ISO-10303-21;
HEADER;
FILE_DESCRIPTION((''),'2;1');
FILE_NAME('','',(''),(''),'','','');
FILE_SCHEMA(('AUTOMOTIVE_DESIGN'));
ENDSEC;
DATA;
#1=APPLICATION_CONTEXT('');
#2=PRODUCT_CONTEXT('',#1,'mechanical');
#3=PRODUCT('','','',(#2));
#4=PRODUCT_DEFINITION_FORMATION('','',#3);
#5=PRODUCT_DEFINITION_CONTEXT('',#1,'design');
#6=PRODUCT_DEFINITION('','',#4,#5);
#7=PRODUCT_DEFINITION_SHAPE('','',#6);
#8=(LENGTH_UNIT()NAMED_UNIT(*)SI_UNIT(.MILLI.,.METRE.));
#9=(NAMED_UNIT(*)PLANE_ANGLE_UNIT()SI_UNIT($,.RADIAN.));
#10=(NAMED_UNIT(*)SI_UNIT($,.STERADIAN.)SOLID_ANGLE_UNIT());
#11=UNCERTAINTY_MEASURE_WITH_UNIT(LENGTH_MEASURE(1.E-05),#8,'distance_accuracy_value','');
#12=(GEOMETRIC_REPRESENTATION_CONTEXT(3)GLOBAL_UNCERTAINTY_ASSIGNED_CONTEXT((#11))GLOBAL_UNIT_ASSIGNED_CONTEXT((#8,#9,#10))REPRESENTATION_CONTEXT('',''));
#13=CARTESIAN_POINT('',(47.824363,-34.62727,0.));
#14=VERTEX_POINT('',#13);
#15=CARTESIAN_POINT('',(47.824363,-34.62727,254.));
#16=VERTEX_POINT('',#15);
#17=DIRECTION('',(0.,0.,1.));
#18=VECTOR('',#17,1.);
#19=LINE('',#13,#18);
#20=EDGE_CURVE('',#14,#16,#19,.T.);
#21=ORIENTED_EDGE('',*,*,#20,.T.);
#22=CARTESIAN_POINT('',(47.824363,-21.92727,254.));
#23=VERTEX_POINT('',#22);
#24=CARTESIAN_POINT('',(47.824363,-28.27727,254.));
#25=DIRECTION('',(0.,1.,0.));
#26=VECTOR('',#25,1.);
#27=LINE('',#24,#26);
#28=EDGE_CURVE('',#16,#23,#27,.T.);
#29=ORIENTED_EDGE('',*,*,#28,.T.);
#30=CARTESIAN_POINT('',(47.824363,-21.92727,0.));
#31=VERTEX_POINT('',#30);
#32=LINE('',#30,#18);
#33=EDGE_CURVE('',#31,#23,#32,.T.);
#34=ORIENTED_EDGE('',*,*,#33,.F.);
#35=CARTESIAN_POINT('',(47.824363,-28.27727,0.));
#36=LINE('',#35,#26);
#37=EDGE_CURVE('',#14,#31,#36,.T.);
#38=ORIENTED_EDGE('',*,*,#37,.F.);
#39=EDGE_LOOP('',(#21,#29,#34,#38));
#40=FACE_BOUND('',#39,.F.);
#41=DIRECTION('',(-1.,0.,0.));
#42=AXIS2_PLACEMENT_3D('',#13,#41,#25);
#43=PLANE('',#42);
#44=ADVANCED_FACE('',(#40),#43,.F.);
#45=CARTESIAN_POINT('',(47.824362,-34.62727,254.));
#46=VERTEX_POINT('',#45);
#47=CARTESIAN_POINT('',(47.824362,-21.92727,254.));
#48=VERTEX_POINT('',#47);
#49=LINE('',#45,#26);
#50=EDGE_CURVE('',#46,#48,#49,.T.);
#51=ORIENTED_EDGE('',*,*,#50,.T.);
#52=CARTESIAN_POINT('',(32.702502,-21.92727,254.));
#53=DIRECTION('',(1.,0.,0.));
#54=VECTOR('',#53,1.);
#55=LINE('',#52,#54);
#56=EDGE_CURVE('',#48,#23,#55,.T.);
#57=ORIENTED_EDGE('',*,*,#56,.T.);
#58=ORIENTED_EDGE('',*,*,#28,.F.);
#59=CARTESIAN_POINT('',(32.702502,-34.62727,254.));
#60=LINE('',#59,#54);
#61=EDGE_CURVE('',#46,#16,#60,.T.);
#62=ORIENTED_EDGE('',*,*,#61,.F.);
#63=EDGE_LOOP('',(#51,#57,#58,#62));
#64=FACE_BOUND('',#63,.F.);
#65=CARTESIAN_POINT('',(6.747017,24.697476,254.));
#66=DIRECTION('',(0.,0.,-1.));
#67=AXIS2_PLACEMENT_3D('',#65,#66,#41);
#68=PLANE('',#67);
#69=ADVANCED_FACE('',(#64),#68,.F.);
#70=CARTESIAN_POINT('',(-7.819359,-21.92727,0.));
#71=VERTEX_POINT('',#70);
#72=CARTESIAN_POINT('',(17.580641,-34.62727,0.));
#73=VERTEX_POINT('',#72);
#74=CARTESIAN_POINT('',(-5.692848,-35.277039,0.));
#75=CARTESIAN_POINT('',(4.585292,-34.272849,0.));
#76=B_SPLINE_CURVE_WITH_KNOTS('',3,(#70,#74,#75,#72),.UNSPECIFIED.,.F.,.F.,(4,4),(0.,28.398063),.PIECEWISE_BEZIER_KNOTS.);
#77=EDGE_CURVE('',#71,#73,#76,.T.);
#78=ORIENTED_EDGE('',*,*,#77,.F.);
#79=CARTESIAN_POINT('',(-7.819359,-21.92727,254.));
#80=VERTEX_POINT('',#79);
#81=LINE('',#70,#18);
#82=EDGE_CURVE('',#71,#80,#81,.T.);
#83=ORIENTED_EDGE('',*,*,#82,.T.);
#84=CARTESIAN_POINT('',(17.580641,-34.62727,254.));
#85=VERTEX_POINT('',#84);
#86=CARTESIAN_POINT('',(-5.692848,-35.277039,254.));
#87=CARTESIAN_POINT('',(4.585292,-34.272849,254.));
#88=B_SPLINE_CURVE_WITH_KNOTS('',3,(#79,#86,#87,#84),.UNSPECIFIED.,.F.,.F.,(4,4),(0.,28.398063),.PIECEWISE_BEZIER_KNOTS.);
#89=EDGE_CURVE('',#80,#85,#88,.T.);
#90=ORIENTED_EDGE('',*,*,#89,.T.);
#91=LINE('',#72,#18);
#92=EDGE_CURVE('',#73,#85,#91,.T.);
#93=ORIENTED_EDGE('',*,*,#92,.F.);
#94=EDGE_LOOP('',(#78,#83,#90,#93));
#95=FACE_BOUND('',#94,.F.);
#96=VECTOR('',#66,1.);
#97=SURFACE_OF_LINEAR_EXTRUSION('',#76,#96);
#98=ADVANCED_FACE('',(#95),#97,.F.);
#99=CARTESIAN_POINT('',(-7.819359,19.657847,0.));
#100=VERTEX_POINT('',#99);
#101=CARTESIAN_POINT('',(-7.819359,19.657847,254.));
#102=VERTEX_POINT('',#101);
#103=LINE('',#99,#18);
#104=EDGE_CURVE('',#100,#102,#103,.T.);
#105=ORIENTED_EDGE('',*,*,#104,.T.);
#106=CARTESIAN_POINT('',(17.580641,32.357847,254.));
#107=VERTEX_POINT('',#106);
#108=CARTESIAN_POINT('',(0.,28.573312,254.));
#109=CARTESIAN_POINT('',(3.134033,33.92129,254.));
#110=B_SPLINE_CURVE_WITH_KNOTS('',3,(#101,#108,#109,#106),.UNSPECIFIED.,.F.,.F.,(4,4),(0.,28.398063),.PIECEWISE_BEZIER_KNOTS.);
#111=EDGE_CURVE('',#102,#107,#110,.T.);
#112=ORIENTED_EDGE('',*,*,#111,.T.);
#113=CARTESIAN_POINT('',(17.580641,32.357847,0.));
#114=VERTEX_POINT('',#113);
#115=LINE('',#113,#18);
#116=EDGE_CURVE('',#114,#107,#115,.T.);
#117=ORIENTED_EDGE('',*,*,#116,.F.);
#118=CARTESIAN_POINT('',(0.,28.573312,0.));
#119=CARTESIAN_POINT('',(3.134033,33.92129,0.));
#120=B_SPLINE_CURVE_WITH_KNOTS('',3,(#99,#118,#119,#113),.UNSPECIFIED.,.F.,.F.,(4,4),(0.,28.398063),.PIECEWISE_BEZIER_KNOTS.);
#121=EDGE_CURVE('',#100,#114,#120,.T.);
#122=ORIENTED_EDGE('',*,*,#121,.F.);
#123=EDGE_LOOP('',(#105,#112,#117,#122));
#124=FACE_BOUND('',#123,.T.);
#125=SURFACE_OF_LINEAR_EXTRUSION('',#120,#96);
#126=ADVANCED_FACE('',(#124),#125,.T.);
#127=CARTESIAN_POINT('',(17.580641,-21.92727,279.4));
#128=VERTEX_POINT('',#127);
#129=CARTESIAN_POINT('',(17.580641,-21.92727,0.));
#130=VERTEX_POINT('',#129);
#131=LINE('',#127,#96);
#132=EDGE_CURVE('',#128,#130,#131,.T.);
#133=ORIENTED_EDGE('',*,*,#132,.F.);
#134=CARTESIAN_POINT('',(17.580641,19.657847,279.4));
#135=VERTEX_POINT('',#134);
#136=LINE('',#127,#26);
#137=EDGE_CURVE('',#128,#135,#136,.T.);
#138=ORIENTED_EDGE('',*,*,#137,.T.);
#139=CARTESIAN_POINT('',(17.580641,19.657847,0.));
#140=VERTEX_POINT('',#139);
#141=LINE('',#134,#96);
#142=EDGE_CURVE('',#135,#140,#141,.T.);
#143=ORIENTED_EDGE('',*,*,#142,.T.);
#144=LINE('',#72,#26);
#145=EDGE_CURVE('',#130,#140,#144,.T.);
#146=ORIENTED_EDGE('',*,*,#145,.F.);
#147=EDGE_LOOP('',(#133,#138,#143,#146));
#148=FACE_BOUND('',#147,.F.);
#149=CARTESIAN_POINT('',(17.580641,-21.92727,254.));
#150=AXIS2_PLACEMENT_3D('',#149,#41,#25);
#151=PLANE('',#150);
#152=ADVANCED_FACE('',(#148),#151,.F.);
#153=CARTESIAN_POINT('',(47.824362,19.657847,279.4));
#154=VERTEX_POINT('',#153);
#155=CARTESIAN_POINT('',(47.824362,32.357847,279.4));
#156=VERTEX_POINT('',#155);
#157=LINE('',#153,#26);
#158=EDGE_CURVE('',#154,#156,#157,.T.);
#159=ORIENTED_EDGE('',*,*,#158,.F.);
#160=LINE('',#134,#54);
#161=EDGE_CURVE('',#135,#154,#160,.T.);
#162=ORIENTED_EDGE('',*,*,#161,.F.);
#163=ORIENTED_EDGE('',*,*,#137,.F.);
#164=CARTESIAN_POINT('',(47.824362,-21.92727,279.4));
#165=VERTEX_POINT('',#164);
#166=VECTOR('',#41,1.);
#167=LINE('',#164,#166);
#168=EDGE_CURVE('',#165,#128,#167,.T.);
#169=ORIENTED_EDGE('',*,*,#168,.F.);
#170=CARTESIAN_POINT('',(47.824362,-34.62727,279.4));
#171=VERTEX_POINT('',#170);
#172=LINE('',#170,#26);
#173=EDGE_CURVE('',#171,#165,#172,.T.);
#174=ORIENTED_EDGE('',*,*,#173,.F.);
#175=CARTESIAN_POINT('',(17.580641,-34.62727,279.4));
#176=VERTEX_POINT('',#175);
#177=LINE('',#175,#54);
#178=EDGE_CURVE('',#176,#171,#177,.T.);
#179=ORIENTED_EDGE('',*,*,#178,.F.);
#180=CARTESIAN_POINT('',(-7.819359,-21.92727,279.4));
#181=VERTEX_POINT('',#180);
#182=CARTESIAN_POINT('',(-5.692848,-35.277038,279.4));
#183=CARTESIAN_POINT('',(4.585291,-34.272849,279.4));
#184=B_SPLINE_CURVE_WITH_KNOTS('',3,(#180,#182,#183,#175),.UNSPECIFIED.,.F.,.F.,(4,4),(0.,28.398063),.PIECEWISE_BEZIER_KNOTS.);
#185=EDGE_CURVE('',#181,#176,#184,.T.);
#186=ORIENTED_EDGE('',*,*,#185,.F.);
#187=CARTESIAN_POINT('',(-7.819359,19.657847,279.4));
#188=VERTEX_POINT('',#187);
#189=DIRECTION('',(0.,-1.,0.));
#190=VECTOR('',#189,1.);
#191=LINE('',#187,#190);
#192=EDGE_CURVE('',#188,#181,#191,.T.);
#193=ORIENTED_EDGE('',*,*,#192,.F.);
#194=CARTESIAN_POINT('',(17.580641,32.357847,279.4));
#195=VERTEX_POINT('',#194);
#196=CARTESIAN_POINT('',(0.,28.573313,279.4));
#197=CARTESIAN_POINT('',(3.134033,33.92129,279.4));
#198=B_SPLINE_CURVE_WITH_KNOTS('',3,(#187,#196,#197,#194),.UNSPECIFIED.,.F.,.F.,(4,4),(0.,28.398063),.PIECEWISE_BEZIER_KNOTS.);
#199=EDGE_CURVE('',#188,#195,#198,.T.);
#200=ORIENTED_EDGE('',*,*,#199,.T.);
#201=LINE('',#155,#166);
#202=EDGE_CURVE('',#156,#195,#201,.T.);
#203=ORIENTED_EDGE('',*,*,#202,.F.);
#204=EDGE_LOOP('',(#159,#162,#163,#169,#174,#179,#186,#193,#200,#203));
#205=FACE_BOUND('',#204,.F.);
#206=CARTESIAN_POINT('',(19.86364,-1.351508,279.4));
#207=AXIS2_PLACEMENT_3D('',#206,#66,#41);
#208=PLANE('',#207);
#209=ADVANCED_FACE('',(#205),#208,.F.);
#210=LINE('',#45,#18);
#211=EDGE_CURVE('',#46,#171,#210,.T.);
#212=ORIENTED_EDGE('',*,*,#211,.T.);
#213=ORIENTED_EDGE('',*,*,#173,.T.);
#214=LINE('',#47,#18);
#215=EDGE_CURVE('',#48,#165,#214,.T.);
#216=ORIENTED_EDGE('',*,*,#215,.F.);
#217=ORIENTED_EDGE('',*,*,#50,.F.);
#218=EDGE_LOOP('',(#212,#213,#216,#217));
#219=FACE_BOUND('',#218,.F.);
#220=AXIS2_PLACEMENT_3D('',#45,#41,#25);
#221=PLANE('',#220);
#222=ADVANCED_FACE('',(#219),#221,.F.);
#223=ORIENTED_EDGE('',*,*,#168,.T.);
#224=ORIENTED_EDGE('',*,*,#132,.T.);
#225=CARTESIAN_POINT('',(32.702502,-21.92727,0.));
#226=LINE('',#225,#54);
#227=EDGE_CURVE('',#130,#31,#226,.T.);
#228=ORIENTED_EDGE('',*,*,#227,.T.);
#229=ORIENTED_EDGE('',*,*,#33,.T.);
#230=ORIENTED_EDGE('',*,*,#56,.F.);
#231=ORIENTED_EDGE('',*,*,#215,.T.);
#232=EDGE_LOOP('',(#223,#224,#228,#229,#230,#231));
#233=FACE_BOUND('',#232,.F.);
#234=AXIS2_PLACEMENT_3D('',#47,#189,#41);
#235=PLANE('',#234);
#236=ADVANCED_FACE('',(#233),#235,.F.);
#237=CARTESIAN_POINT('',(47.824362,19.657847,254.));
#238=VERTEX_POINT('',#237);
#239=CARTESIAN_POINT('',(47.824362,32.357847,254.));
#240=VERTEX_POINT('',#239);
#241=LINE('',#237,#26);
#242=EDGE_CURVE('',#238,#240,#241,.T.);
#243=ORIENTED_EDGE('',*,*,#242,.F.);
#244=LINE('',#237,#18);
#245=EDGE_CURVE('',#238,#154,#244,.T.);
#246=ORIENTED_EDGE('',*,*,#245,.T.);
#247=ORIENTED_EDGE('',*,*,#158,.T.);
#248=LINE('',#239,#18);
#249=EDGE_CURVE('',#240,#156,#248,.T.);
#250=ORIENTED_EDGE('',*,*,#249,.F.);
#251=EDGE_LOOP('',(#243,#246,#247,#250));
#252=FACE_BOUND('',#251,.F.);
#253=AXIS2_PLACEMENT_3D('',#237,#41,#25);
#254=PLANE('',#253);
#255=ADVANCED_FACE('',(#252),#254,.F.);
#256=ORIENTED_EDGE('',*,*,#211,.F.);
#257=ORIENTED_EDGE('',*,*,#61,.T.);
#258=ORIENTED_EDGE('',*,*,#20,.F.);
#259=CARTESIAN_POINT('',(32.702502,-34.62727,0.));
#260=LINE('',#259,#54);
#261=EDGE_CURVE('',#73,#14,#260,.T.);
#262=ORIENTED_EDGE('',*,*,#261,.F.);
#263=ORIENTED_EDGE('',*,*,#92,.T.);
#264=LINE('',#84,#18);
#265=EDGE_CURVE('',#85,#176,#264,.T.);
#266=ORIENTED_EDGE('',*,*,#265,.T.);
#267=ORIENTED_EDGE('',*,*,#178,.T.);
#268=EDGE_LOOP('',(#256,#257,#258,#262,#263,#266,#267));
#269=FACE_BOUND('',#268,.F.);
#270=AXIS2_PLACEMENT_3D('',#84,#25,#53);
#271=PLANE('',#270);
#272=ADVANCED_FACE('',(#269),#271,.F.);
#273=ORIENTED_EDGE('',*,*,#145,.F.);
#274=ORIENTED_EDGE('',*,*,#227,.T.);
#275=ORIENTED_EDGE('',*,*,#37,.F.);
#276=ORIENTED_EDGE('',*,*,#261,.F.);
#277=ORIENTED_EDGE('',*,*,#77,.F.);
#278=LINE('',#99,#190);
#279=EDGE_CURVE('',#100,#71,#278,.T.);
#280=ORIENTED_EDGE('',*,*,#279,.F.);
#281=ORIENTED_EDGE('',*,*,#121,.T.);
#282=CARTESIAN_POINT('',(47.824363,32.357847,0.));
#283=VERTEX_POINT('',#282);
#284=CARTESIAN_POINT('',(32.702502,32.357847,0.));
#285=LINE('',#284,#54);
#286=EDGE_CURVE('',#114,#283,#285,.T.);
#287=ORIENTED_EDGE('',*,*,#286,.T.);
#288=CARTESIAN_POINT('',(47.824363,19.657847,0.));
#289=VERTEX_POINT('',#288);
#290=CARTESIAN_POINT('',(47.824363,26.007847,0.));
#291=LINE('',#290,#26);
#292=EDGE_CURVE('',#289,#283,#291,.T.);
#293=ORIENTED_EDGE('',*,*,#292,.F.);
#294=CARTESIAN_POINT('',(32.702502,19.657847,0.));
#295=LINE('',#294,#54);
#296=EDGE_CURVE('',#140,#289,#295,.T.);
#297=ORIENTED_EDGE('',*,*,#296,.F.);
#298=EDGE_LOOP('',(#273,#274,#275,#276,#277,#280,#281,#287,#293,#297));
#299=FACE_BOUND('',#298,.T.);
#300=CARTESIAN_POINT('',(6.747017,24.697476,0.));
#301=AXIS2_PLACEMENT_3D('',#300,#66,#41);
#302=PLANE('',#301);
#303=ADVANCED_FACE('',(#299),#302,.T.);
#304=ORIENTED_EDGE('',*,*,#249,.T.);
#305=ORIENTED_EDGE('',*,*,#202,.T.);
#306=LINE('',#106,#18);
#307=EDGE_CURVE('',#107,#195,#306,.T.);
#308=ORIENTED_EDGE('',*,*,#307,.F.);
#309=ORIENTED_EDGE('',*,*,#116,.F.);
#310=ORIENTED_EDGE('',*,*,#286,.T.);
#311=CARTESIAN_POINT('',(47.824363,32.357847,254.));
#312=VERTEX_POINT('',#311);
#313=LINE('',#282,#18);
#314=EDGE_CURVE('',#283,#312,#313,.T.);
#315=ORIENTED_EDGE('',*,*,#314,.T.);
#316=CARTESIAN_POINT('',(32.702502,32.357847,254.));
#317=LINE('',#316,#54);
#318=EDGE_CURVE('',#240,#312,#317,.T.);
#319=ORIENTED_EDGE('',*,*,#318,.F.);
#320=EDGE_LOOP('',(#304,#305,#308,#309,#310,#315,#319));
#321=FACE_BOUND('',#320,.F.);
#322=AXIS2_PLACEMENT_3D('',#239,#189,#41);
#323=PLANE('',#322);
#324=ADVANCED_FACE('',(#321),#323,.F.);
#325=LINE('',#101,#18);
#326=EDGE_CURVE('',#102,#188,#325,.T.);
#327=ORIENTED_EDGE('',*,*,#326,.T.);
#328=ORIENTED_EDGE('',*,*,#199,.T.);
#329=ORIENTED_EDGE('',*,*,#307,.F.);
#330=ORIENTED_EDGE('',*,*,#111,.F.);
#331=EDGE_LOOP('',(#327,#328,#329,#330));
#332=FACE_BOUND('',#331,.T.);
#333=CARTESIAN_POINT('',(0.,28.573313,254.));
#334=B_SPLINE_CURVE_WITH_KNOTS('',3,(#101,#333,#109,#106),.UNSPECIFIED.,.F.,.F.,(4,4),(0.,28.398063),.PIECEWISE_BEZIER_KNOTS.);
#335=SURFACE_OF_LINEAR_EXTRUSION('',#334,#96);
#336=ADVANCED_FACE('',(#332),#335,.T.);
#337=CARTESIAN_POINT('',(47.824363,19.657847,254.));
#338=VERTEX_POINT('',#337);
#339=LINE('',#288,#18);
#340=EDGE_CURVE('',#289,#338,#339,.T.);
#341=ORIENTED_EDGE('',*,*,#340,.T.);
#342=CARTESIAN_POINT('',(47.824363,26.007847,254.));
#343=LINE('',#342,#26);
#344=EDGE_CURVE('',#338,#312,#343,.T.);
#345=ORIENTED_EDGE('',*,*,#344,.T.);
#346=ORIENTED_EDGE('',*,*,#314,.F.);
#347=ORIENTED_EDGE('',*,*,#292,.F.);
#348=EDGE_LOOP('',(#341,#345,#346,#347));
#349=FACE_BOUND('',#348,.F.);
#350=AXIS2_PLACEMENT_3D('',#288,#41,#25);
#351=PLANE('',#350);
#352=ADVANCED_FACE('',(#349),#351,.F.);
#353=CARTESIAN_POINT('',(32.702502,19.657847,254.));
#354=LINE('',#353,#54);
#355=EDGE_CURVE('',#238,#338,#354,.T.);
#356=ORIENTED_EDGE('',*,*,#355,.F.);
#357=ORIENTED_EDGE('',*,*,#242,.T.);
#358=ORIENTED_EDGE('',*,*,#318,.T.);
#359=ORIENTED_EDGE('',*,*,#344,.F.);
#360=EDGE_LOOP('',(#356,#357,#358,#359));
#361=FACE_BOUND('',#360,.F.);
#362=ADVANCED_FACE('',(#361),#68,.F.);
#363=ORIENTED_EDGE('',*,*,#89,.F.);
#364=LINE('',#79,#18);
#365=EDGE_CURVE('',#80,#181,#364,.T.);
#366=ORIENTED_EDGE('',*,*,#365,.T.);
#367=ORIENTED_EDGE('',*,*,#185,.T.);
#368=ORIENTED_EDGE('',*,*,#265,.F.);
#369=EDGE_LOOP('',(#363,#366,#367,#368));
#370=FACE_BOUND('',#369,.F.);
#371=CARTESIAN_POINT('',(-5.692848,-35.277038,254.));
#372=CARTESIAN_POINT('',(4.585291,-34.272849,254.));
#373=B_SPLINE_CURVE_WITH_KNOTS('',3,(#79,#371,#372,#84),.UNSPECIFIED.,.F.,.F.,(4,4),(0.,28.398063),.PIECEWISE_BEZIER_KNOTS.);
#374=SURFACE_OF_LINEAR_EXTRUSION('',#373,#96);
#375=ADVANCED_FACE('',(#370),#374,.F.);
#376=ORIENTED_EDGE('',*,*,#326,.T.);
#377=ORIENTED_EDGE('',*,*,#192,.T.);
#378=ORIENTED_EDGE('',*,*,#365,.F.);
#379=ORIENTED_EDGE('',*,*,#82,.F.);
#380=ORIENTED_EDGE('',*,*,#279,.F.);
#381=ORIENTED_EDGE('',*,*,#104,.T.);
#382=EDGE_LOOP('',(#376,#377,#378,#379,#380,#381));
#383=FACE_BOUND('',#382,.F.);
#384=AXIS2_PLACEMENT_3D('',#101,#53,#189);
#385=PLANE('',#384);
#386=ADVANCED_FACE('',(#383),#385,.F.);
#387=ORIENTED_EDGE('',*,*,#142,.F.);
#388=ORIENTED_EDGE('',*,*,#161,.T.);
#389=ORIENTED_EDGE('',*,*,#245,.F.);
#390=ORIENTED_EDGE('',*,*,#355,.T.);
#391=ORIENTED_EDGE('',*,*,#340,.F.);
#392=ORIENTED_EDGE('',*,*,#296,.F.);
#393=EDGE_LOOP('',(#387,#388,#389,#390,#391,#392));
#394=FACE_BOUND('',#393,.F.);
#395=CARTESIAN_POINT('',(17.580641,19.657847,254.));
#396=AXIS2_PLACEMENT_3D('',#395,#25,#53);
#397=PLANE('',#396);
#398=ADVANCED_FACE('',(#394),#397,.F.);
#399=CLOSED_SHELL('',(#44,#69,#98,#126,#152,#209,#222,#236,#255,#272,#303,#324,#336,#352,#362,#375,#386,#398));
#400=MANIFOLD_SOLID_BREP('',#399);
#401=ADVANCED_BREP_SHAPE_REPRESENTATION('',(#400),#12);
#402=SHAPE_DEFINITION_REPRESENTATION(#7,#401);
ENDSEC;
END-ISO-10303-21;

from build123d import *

# Parameters (mm, degrees)
F0_W     = 30.243722
F0_H     = 12.7
F1_DEPTH = 254
F2_DEPTH = 25.4


with BuildPart() as f1:
    # F0 (on Top) → F1 (new body)
    with BuildSketch(Plane.XY):
        with BuildLine():
            add(Edge.make_bspline(
                [(-7.819359, 19.657847), (0, 28.573312), (3.134033, 33.92129), (17.580641, 32.357847)],
                knots=[0, 0, 0, 0, 28.398063, 28.398063, 28.398063, 28.398063], degree=3))
            Line((-7.819359, 19.657847), (17.580641, 19.657847))
            Line((17.580641, 19.657847), (17.580641, 32.357847))
        make_face()
        Polygon((17.580641, 19.657847), (-7.819359, 19.657847), (-7.819359, -21.92727), (17.580641, -21.92727), (17.580641, -16.079364), align=None)
        with Locations((32.702502, 26.007847)):
            Rectangle(F0_W, F0_H)
        with BuildLine():
            Line((17.580641, -21.92727), (-7.819359, -21.92727))
            add(Edge.make_bspline(
                [(-7.819359, -21.92727), (-5.692848, -35.277039), (4.585292, -34.272849), (17.580641, -34.62727)],
                knots=[0, 0, 0, 0, 28.398063, 28.398063, 28.398063, 28.398063], degree=3))
            Line((17.580641, -34.62727), (17.580641, -21.92727))
        make_face()
        with Locations((32.702502, -28.27727)):
            Rectangle(F0_W, F0_H)
    extrude(amount=F1_DEPTH)

    # F1_face (on face) → F2 (join)
    with BuildSketch(Plane(origin=(14.443133, -1.495159, 254), x_dir=(1, 0, 0), z_dir=(0, 0, 1))):
        with BuildLine():
            add(Edge.make_bspline(
                [(-22.262492, 21.153006), (-14.443133, 30.068472), (-11.3091, 35.416449), (3.137508, 33.853006)],
                knots=[0, 0, 0, 0, 28.398063, 28.398063, 28.398063, 28.398063], degree=3))
            Line((-22.262492, 21.153006), (-22.262492, -20.432111))
            add(Edge.make_bspline(
                [(-22.262492, -20.432111), (-20.135981, -33.781879), (-9.857842, -32.77769), (3.137508, -33.132111)],
                knots=[0, 0, 0, 0, 28.398063, 28.398063, 28.398063, 28.398063], degree=3))
            Line((3.137508, -33.132111), (33.381229, -33.132111))
            Line((33.381229, -33.132111), (33.381229, -20.432111))
            Line((33.381229, -20.432111), (3.137508, -20.432111))
            Line((3.137508, -20.432111), (3.137508, 21.153006))
            Line((3.137508, 21.153006), (33.381229, 21.153006))
            Line((33.381229, 21.153006), (33.381229, 33.853006))
            Line((33.381229, 33.853006), (3.137508, 33.853006))
        make_face()
    extrude(amount=F2_DEPTH)


solid = f1.part
